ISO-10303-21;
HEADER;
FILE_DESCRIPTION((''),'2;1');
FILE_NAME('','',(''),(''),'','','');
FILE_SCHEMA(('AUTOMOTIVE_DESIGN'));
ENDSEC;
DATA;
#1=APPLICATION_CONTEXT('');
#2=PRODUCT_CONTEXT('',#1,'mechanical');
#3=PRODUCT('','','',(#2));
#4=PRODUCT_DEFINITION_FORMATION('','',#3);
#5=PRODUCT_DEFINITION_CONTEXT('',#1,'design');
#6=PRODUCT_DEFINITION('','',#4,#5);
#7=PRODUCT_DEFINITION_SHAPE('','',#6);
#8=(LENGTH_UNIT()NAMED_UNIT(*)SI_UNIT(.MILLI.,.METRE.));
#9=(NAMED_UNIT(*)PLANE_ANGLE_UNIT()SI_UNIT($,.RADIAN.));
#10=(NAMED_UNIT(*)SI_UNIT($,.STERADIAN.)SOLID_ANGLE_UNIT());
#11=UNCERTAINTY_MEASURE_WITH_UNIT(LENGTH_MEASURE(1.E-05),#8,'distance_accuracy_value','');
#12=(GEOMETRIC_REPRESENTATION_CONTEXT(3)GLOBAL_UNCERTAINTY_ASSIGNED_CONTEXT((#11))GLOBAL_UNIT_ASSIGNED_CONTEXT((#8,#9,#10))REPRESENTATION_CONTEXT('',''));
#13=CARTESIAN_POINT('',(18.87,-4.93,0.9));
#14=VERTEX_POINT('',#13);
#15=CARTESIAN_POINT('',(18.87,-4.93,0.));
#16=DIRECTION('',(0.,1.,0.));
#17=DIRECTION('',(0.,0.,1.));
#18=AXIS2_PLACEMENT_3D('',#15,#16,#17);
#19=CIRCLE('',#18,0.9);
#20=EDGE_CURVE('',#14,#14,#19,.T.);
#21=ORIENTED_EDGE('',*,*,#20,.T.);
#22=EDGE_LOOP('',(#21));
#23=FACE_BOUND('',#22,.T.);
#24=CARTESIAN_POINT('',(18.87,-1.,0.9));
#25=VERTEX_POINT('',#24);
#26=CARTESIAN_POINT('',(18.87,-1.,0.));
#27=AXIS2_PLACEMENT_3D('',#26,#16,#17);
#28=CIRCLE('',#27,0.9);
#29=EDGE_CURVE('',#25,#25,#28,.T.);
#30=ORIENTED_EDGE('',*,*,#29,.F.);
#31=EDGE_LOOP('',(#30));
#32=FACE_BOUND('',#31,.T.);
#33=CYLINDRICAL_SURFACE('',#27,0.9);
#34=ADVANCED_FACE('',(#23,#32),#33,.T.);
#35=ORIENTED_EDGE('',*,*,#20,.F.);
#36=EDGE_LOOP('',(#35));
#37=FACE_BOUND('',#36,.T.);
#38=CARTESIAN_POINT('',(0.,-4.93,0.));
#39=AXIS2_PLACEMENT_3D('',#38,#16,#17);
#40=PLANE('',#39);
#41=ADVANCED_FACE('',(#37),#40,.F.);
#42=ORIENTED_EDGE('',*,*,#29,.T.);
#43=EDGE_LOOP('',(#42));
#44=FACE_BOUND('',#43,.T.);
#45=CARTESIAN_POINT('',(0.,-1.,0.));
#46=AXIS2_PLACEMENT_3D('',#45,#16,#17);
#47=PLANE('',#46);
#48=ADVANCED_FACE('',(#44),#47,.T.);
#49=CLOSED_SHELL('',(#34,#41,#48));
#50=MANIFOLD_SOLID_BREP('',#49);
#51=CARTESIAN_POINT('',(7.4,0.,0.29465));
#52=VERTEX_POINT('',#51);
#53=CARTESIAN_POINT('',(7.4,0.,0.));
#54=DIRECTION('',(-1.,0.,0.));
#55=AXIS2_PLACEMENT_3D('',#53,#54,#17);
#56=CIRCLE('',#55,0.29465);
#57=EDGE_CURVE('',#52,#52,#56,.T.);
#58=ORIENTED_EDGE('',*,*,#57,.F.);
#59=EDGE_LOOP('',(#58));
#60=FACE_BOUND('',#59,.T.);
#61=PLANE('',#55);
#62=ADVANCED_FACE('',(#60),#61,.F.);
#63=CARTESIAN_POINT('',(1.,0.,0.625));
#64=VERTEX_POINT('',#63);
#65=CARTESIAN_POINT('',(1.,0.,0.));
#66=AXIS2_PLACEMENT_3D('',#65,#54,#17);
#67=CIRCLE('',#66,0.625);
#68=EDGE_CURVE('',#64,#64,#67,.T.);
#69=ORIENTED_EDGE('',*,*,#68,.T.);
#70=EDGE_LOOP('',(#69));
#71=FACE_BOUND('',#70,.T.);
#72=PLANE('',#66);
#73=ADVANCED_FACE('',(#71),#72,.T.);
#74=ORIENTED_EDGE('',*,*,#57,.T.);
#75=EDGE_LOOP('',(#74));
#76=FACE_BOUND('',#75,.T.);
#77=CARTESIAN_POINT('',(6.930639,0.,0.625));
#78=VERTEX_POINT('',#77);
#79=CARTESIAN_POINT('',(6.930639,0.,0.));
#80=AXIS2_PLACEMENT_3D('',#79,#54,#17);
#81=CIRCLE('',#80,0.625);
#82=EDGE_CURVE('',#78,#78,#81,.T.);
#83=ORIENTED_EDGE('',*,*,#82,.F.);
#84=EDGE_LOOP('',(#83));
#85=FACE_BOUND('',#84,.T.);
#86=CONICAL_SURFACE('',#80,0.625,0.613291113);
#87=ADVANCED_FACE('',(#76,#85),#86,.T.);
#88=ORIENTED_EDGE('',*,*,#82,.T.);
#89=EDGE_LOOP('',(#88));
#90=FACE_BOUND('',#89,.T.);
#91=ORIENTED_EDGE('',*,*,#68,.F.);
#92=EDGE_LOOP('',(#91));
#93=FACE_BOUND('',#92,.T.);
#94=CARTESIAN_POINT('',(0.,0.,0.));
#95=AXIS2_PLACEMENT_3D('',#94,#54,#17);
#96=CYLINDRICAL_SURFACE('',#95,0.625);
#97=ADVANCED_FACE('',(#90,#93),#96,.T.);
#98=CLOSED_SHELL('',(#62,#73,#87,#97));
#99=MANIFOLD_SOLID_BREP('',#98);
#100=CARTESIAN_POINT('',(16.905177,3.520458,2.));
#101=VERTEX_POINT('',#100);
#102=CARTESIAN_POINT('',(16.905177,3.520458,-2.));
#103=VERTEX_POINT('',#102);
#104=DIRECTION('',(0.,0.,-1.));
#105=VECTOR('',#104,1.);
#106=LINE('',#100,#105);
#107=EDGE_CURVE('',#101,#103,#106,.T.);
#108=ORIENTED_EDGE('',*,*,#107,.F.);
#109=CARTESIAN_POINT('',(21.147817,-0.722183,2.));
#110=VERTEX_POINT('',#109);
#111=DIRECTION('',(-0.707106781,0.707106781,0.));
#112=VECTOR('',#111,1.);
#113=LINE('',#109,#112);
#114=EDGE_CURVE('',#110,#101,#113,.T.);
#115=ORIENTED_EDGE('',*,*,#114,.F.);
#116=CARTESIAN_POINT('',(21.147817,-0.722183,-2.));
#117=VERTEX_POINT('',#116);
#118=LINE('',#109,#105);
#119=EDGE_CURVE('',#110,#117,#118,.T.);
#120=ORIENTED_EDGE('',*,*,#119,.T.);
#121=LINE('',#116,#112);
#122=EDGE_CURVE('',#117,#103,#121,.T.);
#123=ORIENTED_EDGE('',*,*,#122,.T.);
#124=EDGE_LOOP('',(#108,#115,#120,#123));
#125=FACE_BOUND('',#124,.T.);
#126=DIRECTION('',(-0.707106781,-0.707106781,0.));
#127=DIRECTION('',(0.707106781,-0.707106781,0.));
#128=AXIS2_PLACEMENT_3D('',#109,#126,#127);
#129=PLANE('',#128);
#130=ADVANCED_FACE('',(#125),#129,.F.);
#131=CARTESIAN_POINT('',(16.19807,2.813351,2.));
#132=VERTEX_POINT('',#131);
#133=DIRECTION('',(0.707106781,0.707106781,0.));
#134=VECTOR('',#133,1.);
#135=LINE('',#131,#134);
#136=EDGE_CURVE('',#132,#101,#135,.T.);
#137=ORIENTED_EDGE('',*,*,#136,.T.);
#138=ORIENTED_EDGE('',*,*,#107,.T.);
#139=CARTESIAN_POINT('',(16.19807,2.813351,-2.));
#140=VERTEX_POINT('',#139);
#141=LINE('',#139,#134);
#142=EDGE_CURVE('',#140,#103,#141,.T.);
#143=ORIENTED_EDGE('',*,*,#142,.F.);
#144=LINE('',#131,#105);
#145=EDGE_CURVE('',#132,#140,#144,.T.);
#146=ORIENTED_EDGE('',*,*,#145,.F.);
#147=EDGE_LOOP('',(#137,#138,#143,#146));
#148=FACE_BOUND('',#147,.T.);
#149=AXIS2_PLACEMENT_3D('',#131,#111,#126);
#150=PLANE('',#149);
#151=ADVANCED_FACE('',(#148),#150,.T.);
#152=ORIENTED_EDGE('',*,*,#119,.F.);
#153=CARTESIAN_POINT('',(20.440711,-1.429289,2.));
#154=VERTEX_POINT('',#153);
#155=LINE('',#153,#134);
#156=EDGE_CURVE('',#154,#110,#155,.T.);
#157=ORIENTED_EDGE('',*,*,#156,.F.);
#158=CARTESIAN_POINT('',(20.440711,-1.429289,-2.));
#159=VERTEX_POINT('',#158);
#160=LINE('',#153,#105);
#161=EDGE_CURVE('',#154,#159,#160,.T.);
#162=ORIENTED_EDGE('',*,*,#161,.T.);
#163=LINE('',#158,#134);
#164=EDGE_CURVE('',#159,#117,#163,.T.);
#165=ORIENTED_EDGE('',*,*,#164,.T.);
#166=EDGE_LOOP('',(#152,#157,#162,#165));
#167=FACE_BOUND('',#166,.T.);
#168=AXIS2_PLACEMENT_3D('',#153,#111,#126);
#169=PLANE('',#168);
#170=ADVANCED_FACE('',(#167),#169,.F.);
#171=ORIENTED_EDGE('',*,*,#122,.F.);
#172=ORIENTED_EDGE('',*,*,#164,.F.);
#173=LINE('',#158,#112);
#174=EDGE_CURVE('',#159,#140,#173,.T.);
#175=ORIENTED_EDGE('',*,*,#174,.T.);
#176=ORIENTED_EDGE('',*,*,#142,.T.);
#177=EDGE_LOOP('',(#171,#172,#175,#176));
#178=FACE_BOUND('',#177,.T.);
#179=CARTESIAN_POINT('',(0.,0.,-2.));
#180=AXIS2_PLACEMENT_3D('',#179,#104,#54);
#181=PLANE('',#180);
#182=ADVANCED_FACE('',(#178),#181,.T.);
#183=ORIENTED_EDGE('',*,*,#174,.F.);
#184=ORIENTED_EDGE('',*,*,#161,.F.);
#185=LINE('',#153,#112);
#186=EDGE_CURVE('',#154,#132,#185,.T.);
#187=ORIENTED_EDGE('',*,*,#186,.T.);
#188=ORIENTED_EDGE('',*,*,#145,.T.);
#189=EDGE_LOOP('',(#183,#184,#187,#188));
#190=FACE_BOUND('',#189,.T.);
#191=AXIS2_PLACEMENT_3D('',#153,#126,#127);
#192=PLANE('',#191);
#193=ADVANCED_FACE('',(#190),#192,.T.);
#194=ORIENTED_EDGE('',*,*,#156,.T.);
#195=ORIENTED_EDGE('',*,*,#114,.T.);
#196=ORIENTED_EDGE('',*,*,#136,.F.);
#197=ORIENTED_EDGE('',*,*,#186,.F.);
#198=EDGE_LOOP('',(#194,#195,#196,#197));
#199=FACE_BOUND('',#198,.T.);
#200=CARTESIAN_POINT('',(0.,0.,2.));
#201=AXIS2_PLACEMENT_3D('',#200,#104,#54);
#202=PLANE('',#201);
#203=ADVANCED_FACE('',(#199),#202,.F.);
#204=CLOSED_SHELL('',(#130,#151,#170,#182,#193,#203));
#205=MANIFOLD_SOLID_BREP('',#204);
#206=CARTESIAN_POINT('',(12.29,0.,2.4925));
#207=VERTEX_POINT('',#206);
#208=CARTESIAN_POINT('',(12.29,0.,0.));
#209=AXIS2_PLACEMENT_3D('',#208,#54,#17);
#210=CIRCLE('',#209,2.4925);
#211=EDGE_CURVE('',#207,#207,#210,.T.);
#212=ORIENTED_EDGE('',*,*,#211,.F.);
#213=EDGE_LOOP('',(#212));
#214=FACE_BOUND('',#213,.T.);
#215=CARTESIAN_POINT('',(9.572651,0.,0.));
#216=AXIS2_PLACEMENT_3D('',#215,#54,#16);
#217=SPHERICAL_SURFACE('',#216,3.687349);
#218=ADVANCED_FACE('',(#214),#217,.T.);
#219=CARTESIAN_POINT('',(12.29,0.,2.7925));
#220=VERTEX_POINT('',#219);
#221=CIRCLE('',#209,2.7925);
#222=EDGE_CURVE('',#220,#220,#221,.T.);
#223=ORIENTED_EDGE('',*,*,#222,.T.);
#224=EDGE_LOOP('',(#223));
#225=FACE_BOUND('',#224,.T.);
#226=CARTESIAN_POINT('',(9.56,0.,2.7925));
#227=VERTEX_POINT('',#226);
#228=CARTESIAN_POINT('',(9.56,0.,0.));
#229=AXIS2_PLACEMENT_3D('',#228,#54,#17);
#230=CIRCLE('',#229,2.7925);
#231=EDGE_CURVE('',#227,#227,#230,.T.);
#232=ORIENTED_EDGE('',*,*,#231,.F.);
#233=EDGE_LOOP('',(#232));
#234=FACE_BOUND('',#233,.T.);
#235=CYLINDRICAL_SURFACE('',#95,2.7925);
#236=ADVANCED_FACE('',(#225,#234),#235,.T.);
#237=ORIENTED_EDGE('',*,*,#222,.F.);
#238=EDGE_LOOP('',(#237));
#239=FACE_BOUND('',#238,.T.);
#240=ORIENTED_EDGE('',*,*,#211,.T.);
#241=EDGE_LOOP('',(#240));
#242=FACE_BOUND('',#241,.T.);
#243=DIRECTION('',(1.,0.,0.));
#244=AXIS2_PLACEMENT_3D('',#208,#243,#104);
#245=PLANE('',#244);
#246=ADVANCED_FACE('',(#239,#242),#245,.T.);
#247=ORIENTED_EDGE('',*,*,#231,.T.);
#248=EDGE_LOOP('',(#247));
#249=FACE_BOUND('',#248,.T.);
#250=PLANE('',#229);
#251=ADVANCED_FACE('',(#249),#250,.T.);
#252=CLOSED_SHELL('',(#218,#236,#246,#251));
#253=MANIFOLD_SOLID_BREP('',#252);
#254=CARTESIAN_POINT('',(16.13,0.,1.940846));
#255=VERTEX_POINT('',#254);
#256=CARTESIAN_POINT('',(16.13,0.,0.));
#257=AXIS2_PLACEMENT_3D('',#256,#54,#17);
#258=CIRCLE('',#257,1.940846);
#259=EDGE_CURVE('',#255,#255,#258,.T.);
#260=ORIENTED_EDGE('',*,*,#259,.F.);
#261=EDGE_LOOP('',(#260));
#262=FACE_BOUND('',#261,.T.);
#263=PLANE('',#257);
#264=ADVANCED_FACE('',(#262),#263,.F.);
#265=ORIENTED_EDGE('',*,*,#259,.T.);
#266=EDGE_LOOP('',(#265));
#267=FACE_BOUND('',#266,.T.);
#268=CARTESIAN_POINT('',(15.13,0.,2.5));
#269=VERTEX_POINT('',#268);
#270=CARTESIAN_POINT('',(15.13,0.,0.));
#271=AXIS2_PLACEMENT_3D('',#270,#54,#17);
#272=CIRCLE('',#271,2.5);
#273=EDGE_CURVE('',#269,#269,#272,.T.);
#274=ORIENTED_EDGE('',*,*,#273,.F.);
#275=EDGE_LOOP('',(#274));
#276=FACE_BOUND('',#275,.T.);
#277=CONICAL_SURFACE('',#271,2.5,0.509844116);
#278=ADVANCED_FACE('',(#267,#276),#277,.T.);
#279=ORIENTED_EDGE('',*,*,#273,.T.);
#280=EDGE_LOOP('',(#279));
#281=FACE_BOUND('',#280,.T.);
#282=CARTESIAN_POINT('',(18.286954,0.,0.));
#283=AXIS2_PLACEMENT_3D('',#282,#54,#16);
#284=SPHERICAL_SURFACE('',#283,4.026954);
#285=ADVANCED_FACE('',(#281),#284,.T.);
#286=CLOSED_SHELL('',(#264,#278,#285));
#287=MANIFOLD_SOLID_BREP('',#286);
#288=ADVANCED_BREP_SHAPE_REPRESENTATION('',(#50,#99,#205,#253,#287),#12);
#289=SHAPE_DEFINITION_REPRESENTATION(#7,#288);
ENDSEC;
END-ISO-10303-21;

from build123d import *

# Parameters (mm, degrees)
BOSS_EXTRUDE1_DEPTH = 2
SKETCH1_7_W         = 0.9
SKETCH1_7_H         = 3.93


with BuildPart() as part:
    # Sketch1 → Boss-Extrude1 (new, symmetric)
    with BuildSketch(Plane.XY):
        Polygon((20.440710678, -1.429289322), (16.198069991, 2.813351365), (16.905176772, 3.520458146), (21.147817459, -0.722182541), align=None)
    extrude(amount=BOSS_EXTRUDE1_DEPTH, both=True)


with BuildPart() as body_2:
    # Sketch1<6> → Revolve4 (revolve)
    with BuildSketch(Plane.XY):
        with BuildLine():
            Line((16.13, 0), (16.13, 1.940845924))
            Line((16.13, 1.940845924), (15.13, 2.5))
            ThreePointArc((15.13, 2.5), (14.483714127, 1.323527484), (14.26, 0))
            Line((14.26, 0), (16.13, 0))
        make_face()
        with BuildLine():
            Line((12.29, 2.4925), (12.29, 2.7925))
            Line((12.29, 2.7925), (9.56, 2.7925))
            Line((9.56, 2.7925), (9.56, 0))
            Line((9.56, 0), (13.26, 0))
            ThreePointArc((13.26, 0), (13.00895401, 1.337297298), (12.29, 2.4925))
        make_face()
        Polygon((1, 0), (7.4, 0), (7.4, 0.29464991), (6.930638676, 0.625), (1, 0.625), align=None)
    revolve(axis=Axis((0, 0, 0), (1, 0, 0)))


with BuildPart() as body_3:
    # Sketch1<7> → Revolve5 (revolve)
    with BuildSketch(Plane.XY):
        with Locations((18.42, -2.965)):
            Rectangle(SKETCH1_7_W, SKETCH1_7_H)
    revolve(axis=Axis((18.87, -1, 0), (0, -1, 0)))


solid = Compound([part.part, body_2.part, body_3.part])
